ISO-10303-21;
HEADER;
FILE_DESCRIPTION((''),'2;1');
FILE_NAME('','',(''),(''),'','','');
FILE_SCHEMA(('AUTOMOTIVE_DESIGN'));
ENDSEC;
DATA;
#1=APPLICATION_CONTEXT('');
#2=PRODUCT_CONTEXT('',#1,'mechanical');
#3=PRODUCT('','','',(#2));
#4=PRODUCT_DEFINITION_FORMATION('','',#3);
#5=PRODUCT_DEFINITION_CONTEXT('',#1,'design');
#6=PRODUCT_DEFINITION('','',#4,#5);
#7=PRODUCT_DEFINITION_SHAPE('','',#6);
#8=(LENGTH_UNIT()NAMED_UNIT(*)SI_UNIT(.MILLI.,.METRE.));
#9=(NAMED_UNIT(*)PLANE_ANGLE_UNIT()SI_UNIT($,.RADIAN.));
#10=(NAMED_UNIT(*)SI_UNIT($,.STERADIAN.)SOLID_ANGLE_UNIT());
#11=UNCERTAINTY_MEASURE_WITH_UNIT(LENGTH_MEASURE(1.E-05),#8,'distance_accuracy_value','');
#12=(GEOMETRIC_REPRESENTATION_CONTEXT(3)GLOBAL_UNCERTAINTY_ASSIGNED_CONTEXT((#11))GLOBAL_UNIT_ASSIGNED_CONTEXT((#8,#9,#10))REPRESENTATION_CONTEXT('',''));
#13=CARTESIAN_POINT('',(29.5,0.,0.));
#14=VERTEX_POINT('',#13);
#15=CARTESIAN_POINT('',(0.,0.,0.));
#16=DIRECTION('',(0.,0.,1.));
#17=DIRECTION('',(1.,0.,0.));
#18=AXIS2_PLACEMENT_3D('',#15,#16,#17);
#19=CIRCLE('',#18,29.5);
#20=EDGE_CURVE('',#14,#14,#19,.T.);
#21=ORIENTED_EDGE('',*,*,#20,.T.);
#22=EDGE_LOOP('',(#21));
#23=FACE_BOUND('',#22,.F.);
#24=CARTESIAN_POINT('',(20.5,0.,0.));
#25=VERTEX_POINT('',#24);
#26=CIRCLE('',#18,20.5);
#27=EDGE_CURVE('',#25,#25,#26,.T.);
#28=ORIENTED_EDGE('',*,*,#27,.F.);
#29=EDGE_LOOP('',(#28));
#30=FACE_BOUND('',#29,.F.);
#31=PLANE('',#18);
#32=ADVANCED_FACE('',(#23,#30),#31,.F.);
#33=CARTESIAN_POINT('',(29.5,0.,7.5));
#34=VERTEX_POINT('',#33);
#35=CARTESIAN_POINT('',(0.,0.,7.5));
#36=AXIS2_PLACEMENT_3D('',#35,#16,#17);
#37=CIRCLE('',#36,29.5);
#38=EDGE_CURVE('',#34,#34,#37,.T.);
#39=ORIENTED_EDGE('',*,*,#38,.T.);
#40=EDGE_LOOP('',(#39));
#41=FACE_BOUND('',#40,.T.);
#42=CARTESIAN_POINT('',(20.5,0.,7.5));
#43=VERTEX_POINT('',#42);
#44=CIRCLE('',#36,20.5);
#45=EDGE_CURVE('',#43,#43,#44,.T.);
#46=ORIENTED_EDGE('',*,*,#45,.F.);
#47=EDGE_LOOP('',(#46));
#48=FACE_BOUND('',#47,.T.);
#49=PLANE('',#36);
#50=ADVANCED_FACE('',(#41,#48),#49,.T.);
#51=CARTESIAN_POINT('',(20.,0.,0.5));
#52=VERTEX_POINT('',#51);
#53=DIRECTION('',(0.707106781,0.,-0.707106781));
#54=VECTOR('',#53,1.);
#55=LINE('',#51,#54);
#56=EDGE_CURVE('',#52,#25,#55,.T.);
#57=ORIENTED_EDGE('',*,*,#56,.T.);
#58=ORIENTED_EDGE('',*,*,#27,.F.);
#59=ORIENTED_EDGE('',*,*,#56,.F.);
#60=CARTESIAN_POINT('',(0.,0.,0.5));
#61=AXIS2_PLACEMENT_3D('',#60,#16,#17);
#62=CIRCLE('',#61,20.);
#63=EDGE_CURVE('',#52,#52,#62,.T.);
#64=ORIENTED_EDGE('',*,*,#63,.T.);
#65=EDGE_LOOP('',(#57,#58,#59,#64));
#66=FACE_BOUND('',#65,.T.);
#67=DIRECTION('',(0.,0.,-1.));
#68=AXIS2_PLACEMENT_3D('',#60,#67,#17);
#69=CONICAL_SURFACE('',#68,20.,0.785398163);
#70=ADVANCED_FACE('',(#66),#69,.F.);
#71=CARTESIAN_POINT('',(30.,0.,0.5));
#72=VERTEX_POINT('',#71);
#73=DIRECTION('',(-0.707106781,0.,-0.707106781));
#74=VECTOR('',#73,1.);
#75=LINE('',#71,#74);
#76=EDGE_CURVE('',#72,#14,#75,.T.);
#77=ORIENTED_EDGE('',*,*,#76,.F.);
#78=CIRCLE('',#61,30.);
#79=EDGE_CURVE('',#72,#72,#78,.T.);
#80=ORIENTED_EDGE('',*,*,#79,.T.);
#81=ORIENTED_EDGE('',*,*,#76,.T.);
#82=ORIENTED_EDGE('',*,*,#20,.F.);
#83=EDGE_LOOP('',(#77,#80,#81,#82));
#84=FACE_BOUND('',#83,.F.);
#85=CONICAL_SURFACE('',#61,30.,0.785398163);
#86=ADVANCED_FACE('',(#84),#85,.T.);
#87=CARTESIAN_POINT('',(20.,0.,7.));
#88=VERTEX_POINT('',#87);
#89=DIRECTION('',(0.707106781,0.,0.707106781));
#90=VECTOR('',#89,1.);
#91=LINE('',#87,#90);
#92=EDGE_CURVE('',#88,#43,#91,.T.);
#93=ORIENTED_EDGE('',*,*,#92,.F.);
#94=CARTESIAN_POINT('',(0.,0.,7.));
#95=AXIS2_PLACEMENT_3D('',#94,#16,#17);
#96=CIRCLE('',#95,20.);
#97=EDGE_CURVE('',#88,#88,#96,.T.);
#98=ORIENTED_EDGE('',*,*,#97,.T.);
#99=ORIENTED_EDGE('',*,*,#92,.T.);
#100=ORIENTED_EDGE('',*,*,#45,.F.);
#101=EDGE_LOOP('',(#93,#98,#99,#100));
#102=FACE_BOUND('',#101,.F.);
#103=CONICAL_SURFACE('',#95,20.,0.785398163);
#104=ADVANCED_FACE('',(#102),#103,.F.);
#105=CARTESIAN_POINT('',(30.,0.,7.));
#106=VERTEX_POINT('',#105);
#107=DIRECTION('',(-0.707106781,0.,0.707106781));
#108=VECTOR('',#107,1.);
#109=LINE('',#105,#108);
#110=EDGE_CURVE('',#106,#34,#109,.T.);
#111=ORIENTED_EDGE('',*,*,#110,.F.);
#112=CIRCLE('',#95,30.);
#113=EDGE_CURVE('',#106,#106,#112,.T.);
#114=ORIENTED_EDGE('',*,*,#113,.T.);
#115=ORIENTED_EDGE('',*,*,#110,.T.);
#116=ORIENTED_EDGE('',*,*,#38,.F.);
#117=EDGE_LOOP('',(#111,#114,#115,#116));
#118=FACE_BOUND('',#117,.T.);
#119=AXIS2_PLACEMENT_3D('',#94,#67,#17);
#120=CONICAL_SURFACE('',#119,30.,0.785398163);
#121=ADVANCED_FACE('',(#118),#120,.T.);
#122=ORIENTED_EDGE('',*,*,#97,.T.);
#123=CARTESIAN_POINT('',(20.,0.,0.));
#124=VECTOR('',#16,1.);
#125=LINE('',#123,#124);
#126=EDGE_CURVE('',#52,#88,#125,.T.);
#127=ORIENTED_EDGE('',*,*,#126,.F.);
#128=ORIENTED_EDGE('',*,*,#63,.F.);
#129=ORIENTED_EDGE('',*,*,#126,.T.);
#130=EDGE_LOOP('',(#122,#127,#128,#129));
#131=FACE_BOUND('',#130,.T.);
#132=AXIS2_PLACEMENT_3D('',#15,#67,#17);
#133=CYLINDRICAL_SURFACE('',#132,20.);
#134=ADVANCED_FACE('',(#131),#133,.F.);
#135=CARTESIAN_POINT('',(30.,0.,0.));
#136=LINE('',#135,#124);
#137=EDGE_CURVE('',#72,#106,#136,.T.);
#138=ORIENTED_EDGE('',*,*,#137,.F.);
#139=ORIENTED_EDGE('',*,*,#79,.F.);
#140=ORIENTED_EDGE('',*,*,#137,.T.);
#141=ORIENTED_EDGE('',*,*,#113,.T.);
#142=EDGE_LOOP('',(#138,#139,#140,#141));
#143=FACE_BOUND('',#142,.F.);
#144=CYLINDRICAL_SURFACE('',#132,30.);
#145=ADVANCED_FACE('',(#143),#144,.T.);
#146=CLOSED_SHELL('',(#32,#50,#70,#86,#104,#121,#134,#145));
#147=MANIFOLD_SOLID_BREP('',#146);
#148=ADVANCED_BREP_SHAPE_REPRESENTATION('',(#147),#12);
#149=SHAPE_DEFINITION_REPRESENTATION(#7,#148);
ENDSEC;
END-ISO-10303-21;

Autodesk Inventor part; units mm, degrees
ref_plane "YZ Plane" through (0, 0, 0) normal (1, 0, 0) x (0, 1, 0)
ref_plane "XZ Plane" through (0, 0, 0) normal (0, 1, 0) x (-1, 0, 0)
ref_plane "XY Plane" through (0, 0, 0) normal (0, 0, 1) x (1, 0, 0)
sketch "草图1" plane through (0, 0, 0) normal (0, 0, 1) x (1, 0, 0)
  circle A0 centre (0, 0) radius 30
  circle A1 centre (0, 0) radius 20
extrude "拉伸1" add sketch "草图1" along normal blind 7.5
chamfer "倒角1" distance 0.5 angle 45 4 edges at (-20, 0, 7.5) (-20, 0, 0) (-30, 0, 7.5) (-30, 0, 0)
properties part number "my_attempt_v2"
